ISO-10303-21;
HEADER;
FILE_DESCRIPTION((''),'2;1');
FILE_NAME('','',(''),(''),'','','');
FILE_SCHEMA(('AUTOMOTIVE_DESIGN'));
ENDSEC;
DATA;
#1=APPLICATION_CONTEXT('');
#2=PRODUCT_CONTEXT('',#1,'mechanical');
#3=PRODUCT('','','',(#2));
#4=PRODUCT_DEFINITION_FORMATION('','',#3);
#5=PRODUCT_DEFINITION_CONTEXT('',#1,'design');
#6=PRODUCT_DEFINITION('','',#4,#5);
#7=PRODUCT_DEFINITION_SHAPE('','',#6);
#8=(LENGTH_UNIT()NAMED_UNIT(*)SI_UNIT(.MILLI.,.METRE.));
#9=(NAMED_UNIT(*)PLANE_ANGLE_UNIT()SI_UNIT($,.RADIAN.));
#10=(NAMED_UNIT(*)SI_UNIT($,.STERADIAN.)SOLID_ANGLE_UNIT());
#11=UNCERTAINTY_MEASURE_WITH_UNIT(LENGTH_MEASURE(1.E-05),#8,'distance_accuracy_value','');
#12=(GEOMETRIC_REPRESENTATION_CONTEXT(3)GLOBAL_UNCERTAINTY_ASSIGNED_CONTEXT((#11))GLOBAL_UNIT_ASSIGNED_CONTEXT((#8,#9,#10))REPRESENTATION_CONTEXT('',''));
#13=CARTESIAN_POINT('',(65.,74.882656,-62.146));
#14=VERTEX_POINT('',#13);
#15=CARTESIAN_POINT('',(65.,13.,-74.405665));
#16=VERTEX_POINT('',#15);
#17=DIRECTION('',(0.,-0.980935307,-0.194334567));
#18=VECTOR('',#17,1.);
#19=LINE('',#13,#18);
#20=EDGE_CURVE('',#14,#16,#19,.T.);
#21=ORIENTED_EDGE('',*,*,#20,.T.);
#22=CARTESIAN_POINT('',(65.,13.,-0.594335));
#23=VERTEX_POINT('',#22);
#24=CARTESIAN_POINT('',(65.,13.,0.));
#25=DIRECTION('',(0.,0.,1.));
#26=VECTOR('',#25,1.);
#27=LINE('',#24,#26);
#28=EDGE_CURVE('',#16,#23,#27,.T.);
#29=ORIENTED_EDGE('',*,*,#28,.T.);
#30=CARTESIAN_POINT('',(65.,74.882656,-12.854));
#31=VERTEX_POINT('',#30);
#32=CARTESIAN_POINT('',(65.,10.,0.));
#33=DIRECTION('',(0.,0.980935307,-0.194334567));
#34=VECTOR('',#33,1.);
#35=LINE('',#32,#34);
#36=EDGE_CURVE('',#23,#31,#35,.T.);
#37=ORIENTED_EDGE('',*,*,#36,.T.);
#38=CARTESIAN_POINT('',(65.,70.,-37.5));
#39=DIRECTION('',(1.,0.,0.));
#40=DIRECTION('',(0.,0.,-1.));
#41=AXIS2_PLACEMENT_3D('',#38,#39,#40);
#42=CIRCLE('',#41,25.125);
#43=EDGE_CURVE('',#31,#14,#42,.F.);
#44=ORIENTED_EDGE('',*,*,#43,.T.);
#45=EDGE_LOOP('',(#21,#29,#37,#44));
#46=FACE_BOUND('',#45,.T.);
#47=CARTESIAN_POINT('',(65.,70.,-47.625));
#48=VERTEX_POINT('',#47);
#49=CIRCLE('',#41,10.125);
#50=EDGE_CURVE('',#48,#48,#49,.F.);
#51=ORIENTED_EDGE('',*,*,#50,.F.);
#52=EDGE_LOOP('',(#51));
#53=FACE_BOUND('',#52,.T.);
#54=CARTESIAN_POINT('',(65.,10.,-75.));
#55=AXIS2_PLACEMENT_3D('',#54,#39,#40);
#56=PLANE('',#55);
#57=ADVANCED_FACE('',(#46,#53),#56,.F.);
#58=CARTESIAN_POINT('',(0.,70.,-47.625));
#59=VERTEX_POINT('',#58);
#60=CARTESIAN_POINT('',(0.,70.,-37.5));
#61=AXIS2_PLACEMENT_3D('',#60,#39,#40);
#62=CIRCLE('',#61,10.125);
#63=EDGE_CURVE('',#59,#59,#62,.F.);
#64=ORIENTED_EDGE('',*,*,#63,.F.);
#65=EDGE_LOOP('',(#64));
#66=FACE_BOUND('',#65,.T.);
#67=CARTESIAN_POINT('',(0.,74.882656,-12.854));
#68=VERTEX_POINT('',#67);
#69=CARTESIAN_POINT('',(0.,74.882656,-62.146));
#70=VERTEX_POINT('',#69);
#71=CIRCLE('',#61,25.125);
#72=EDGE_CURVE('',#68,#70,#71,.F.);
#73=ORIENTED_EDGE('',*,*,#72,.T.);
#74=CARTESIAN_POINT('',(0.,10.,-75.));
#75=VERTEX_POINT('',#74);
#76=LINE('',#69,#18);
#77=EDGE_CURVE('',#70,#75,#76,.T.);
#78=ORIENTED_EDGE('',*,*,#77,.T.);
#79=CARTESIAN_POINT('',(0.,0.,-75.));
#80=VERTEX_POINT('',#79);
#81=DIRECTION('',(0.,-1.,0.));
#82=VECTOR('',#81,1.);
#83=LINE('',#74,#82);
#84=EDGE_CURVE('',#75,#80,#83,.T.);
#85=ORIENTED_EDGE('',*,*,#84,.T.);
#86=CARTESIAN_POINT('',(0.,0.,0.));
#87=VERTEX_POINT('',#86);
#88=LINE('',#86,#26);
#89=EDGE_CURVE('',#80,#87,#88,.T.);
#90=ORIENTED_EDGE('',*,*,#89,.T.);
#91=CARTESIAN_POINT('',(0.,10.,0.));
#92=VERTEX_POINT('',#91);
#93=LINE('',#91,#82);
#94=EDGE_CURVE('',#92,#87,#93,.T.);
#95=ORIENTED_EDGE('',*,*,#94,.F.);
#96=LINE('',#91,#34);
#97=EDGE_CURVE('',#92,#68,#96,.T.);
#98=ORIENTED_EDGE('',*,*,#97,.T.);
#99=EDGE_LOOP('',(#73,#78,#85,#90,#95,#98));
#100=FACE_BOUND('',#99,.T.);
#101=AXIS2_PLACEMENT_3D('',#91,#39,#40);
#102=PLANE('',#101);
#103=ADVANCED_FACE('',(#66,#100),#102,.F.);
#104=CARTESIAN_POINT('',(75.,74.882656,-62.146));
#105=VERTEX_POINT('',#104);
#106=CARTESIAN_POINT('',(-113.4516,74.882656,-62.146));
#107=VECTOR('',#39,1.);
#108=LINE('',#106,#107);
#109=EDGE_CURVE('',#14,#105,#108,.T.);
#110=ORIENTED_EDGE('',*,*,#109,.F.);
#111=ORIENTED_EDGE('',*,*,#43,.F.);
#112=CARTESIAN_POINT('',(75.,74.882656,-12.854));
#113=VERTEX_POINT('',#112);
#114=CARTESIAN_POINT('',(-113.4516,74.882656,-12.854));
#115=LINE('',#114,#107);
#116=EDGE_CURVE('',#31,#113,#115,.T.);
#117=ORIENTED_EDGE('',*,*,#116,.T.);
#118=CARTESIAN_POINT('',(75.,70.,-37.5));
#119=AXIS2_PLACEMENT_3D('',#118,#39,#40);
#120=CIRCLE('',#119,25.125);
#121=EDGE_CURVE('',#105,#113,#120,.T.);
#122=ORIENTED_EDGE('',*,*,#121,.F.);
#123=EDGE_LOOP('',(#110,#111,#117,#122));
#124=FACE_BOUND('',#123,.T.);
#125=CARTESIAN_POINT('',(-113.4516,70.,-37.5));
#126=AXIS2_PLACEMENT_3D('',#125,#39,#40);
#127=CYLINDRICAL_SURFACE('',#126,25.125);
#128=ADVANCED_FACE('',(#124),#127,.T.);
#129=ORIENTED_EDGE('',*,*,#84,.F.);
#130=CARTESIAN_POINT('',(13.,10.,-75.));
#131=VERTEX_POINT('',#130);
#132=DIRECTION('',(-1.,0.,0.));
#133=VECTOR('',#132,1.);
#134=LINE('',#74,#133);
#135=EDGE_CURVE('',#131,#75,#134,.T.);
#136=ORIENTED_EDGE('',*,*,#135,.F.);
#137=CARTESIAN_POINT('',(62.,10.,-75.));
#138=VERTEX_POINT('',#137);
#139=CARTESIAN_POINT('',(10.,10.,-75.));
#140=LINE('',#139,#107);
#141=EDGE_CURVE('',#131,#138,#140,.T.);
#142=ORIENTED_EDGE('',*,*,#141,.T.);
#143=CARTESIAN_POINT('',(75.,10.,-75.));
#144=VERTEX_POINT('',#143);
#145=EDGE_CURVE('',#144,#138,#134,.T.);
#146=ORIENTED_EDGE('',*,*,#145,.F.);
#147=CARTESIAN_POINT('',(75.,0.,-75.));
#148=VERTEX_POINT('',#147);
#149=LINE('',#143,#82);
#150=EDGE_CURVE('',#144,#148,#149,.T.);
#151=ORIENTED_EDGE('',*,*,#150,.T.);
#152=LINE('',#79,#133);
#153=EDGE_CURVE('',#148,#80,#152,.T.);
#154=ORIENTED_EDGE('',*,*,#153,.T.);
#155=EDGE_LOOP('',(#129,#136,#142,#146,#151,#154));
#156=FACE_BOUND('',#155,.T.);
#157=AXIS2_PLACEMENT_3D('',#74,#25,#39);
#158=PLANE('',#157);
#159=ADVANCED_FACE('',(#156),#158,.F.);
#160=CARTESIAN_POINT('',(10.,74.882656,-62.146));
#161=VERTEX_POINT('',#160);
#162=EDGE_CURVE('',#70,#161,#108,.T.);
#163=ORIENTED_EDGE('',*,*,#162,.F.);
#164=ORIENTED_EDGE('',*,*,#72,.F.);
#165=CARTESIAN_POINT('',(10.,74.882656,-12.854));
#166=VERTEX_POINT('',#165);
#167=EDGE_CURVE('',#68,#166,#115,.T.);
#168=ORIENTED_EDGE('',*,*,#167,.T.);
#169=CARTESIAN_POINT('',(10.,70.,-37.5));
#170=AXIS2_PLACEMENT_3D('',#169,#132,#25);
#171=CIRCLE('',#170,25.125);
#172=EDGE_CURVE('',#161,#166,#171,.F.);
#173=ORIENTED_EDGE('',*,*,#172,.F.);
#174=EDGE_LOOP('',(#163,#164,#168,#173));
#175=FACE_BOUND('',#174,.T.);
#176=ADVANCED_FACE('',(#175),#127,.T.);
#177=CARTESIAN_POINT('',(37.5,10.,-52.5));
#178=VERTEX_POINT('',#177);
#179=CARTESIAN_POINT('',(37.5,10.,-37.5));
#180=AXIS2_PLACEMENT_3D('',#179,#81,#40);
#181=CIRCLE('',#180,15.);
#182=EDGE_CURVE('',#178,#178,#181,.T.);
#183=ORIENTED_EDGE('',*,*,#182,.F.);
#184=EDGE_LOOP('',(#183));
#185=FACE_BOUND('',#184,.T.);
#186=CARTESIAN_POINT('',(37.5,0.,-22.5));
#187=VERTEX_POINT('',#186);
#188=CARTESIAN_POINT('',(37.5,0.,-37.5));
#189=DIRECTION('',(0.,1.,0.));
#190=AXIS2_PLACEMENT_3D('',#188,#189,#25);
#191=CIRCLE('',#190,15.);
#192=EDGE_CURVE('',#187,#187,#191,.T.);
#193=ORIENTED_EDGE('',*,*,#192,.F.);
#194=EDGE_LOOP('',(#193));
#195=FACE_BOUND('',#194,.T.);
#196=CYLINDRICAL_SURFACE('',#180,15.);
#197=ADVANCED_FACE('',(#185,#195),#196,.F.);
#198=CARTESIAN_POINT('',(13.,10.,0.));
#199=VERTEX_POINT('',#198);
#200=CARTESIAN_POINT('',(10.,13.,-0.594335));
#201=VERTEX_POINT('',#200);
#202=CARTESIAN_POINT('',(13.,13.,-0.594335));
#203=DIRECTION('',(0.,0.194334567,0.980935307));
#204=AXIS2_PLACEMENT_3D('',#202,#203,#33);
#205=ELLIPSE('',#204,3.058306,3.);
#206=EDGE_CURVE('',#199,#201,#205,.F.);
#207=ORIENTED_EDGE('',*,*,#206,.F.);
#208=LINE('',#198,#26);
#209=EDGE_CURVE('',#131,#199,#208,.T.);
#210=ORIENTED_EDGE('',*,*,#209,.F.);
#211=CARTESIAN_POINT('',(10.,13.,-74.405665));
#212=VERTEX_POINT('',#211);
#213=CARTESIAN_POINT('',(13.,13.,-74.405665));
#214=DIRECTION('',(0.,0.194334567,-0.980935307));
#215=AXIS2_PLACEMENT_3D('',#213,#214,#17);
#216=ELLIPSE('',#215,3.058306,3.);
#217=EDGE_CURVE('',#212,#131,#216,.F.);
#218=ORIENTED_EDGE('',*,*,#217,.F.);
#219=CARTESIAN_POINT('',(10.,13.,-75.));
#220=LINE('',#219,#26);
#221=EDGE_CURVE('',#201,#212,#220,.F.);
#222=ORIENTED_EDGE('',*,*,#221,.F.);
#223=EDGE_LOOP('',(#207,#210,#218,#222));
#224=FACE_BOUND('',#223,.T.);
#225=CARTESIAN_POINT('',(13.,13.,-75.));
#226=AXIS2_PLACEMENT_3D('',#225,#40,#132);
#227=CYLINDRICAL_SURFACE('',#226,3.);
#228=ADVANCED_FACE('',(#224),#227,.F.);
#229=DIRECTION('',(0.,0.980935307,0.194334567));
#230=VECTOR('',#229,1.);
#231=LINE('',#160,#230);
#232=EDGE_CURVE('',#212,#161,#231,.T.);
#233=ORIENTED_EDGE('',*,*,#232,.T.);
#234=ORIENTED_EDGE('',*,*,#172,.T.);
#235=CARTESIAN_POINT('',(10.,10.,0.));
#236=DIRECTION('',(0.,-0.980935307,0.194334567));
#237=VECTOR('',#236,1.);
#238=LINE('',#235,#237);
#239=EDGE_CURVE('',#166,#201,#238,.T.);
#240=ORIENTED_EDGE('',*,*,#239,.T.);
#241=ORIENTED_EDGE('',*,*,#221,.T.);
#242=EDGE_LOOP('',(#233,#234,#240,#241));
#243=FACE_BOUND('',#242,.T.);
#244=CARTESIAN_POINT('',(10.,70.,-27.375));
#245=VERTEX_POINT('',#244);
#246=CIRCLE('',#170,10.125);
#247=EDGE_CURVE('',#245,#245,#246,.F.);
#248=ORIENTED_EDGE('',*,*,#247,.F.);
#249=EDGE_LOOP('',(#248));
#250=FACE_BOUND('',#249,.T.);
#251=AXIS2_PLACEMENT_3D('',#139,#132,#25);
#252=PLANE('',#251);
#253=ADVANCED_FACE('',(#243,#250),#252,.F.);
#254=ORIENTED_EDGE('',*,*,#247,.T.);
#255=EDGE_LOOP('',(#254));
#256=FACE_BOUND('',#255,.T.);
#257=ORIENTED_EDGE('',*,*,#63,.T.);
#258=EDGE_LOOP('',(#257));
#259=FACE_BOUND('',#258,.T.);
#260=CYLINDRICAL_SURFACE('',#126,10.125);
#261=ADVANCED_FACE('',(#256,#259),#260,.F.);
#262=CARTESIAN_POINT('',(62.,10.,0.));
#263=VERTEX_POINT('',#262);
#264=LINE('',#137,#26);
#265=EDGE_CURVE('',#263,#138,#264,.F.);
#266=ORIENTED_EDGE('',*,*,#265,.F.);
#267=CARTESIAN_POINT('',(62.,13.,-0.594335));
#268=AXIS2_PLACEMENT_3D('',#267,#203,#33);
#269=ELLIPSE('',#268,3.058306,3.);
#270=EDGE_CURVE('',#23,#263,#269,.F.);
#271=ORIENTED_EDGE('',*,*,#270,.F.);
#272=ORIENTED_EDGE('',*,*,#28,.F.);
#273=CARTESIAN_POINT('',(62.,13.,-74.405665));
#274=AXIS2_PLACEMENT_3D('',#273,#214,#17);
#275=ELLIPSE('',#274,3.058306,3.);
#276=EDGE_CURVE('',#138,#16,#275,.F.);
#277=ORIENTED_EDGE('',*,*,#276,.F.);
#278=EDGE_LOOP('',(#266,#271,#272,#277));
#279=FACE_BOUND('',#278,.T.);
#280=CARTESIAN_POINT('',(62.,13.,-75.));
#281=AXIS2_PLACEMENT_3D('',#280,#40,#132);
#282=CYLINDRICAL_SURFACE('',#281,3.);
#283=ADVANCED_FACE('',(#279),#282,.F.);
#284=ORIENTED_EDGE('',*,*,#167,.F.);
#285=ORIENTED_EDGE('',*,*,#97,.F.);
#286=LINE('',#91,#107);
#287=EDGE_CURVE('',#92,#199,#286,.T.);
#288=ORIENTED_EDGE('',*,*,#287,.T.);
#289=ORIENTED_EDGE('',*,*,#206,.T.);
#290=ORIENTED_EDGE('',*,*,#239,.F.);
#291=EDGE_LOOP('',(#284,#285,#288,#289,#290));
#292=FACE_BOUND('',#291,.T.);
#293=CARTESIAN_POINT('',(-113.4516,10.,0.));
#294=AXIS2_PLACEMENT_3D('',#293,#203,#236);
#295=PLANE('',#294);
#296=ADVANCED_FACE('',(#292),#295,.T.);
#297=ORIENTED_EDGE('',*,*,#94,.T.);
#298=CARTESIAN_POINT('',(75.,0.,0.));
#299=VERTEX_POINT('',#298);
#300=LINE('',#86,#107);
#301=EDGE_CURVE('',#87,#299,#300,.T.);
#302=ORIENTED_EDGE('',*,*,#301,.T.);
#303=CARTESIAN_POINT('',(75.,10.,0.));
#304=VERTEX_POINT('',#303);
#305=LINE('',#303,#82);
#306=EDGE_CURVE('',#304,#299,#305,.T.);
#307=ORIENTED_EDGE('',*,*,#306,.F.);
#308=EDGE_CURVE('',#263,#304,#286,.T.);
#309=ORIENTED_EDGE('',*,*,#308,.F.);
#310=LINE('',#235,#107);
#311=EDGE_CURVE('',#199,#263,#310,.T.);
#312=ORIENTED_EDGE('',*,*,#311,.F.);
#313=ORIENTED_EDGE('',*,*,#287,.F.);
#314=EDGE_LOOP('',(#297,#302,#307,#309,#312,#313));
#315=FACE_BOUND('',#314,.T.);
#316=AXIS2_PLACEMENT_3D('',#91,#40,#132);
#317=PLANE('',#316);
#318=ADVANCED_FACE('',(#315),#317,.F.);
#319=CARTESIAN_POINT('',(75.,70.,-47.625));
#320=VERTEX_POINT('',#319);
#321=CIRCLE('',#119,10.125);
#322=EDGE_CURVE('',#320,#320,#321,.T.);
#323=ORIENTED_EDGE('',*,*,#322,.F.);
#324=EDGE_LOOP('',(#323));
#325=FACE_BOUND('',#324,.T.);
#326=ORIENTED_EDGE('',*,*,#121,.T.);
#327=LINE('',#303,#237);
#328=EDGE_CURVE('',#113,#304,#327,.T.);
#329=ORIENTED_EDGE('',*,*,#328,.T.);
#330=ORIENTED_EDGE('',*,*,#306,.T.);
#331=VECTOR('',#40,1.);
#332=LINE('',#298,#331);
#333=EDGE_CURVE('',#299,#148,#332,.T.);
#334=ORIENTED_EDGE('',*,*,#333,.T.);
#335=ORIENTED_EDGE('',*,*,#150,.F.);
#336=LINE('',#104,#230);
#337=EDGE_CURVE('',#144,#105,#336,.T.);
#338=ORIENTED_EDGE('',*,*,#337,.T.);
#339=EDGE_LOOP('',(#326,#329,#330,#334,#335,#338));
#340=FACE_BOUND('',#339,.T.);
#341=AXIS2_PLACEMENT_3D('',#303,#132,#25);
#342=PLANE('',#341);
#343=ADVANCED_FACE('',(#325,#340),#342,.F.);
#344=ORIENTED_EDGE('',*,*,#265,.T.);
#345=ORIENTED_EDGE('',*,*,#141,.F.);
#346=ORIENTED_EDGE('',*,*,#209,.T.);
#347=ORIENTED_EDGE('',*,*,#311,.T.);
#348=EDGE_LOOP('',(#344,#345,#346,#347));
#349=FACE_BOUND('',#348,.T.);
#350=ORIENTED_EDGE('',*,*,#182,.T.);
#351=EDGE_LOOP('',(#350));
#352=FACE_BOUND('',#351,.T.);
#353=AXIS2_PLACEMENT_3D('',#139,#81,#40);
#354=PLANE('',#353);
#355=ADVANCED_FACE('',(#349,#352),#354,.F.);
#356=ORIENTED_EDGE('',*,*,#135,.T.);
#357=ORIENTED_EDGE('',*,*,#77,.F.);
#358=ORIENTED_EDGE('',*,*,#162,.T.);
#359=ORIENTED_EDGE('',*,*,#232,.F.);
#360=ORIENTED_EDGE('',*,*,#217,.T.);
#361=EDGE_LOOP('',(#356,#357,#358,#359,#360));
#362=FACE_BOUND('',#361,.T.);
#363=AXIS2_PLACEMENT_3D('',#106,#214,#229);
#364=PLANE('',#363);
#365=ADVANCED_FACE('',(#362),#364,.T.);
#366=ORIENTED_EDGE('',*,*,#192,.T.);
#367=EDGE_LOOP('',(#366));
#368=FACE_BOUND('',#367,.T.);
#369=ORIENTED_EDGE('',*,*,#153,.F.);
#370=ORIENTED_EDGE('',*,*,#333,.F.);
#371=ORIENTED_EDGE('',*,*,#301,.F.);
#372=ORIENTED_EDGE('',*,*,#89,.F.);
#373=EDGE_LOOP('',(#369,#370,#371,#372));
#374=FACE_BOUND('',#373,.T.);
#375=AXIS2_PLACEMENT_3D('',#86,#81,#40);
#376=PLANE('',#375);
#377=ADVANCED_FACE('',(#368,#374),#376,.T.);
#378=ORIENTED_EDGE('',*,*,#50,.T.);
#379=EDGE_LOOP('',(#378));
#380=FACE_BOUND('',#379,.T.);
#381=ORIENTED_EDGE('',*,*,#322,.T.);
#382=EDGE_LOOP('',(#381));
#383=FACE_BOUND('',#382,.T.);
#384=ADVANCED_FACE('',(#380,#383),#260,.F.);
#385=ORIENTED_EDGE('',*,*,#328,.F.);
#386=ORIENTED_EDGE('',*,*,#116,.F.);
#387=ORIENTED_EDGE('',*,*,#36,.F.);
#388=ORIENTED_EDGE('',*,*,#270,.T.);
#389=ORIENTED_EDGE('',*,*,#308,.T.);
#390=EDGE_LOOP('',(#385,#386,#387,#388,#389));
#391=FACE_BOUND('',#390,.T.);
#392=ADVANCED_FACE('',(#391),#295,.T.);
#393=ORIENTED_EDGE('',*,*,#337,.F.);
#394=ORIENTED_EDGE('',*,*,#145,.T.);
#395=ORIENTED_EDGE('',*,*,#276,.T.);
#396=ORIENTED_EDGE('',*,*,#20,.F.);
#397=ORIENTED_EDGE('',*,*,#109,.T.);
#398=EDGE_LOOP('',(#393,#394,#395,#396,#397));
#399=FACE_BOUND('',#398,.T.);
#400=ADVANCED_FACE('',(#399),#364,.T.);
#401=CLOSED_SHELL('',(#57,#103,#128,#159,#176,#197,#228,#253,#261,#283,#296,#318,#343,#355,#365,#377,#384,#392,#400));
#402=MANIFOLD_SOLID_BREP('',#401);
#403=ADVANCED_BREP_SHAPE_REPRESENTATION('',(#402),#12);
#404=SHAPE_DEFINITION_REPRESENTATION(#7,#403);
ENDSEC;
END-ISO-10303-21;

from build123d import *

# Parameters (mm, degrees)
ESQUISSE1_W             = 75
ESQUISSE1_H             = 75
ESQUISSE1_R             = 15
BOSS_EXTRU_2_DEPTH      = 10
ESQUISSE2_R             = 10.125
BOSS_EXTRU_3_DEPTH      = 75
ESQUISSE3_W             = 55
ESQUISSE3_H             = 122.401822982
ENL_V_MAT_EXTRU_1_DEPTH = 143.473736615
CONG_1_R                = 3


with BuildPart() as part:
    # Esquisse1 → Boss.-Extru.2 (new body)
    with BuildSketch(Plane(origin=(0, 0, 0), x_dir=(1, 0, 0), z_dir=(0, 1, 0))):
        with Locations((37.5, 37.5)):
            Rectangle(ESQUISSE1_W, ESQUISSE1_H)
        with Locations(Location((37.5, 37.5, 0), (0, 0, 270))):
            Circle(ESQUISSE1_R, mode=Mode.SUBTRACT)
    extrude(amount=BOSS_EXTRU_2_DEPTH)

    # Esquisse2 → Boss.-Extru.3 (add)
    with BuildSketch(Plane(origin=(75, 0, 0), x_dir=(0, 0, -1), z_dir=(1, 0, 0))):
        with BuildLine():
            Line((62.145999584, 74.88265599), (75, 10))
            Line((75, 10), (0, 10))
            Line((0, 10), (12.854000416, 74.88265599))
            ThreePointArc((12.854000416, 74.88265599), (37.5, 95.125), (62.145999584, 74.88265599))
        make_face()
        with Locations((37.5, 70)):
            Circle(ESQUISSE2_R, mode=Mode.SUBTRACT)
    extrude(amount=-BOSS_EXTRU_3_DEPTH)

    # Esquisse3 → Enlèv. mat.-Extru.1 (cut, through all)
    with BuildSketch(Plane.XY):
        with Locations((37.5, 71.200911491)):
            Rectangle(ESQUISSE3_W, ESQUISSE3_H)
    extrude(amount=-ENL_V_MAT_EXTRU_1_DEPTH, mode=Mode.SUBTRACT)

    # Congé1
    cong_1_edges = [part.edges().sort_by_distance(p)[0] for p in [
        (10, 10, -37.5),
        (65, 10, -37.5),
    ]]
    fillet(cong_1_edges, radius=CONG_1_R)


solid = part.part
